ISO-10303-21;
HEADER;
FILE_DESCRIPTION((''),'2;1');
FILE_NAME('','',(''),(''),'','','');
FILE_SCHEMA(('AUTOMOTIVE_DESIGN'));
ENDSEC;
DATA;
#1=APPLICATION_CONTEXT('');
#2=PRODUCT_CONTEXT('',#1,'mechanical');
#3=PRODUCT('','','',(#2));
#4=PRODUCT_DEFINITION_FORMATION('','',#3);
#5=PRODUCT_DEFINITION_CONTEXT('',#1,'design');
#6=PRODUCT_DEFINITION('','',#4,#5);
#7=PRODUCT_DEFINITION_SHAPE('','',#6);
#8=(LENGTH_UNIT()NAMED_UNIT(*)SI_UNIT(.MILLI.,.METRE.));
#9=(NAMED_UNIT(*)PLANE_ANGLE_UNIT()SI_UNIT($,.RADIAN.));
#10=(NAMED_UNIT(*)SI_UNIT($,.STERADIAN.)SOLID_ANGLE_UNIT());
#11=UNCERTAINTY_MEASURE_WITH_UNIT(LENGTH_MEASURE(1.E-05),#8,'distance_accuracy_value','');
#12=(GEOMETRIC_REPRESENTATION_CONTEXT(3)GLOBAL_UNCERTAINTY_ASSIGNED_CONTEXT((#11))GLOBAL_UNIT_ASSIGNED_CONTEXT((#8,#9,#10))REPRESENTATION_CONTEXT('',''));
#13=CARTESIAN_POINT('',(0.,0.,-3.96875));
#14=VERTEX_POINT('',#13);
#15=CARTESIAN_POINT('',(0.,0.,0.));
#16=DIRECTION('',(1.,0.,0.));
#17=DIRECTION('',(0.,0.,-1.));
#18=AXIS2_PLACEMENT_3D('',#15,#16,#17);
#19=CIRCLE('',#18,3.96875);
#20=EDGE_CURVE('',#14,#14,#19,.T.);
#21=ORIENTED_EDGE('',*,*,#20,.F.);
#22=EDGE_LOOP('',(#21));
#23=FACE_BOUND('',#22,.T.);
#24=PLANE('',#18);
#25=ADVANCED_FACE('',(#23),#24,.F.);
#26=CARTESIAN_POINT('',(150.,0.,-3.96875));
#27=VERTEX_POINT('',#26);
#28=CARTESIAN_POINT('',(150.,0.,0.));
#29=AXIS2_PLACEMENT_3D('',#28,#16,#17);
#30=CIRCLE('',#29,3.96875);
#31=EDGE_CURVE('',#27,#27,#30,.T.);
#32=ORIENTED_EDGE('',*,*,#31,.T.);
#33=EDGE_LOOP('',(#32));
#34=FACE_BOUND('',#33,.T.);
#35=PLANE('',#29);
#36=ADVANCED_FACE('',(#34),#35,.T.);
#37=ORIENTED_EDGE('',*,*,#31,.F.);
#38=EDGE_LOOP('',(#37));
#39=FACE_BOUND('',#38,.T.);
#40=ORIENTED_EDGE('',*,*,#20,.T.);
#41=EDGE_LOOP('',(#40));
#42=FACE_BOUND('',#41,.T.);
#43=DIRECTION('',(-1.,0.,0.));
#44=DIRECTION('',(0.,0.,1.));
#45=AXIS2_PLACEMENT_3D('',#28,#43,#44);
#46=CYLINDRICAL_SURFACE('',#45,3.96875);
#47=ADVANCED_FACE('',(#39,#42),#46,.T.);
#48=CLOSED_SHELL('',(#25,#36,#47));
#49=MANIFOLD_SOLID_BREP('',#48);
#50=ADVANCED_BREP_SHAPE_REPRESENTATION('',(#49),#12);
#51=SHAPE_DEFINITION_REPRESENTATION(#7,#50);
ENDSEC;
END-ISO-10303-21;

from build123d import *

# Parameters (mm, degrees)
ESBO_O1_R                = 3.96875
RESSALTO_EXTRUS_O1_DEPTH = 150


with BuildPart() as part:
    # Esboço1 → Ressalto-extrusão1 (new body)
    with BuildSketch(Plane(origin=(0, 0, 0), x_dir=(0, 0, -1), z_dir=(1, 0, 0))):
        Circle(ESBO_O1_R)
    extrude(amount=RESSALTO_EXTRUS_O1_DEPTH)


solid = part.part
